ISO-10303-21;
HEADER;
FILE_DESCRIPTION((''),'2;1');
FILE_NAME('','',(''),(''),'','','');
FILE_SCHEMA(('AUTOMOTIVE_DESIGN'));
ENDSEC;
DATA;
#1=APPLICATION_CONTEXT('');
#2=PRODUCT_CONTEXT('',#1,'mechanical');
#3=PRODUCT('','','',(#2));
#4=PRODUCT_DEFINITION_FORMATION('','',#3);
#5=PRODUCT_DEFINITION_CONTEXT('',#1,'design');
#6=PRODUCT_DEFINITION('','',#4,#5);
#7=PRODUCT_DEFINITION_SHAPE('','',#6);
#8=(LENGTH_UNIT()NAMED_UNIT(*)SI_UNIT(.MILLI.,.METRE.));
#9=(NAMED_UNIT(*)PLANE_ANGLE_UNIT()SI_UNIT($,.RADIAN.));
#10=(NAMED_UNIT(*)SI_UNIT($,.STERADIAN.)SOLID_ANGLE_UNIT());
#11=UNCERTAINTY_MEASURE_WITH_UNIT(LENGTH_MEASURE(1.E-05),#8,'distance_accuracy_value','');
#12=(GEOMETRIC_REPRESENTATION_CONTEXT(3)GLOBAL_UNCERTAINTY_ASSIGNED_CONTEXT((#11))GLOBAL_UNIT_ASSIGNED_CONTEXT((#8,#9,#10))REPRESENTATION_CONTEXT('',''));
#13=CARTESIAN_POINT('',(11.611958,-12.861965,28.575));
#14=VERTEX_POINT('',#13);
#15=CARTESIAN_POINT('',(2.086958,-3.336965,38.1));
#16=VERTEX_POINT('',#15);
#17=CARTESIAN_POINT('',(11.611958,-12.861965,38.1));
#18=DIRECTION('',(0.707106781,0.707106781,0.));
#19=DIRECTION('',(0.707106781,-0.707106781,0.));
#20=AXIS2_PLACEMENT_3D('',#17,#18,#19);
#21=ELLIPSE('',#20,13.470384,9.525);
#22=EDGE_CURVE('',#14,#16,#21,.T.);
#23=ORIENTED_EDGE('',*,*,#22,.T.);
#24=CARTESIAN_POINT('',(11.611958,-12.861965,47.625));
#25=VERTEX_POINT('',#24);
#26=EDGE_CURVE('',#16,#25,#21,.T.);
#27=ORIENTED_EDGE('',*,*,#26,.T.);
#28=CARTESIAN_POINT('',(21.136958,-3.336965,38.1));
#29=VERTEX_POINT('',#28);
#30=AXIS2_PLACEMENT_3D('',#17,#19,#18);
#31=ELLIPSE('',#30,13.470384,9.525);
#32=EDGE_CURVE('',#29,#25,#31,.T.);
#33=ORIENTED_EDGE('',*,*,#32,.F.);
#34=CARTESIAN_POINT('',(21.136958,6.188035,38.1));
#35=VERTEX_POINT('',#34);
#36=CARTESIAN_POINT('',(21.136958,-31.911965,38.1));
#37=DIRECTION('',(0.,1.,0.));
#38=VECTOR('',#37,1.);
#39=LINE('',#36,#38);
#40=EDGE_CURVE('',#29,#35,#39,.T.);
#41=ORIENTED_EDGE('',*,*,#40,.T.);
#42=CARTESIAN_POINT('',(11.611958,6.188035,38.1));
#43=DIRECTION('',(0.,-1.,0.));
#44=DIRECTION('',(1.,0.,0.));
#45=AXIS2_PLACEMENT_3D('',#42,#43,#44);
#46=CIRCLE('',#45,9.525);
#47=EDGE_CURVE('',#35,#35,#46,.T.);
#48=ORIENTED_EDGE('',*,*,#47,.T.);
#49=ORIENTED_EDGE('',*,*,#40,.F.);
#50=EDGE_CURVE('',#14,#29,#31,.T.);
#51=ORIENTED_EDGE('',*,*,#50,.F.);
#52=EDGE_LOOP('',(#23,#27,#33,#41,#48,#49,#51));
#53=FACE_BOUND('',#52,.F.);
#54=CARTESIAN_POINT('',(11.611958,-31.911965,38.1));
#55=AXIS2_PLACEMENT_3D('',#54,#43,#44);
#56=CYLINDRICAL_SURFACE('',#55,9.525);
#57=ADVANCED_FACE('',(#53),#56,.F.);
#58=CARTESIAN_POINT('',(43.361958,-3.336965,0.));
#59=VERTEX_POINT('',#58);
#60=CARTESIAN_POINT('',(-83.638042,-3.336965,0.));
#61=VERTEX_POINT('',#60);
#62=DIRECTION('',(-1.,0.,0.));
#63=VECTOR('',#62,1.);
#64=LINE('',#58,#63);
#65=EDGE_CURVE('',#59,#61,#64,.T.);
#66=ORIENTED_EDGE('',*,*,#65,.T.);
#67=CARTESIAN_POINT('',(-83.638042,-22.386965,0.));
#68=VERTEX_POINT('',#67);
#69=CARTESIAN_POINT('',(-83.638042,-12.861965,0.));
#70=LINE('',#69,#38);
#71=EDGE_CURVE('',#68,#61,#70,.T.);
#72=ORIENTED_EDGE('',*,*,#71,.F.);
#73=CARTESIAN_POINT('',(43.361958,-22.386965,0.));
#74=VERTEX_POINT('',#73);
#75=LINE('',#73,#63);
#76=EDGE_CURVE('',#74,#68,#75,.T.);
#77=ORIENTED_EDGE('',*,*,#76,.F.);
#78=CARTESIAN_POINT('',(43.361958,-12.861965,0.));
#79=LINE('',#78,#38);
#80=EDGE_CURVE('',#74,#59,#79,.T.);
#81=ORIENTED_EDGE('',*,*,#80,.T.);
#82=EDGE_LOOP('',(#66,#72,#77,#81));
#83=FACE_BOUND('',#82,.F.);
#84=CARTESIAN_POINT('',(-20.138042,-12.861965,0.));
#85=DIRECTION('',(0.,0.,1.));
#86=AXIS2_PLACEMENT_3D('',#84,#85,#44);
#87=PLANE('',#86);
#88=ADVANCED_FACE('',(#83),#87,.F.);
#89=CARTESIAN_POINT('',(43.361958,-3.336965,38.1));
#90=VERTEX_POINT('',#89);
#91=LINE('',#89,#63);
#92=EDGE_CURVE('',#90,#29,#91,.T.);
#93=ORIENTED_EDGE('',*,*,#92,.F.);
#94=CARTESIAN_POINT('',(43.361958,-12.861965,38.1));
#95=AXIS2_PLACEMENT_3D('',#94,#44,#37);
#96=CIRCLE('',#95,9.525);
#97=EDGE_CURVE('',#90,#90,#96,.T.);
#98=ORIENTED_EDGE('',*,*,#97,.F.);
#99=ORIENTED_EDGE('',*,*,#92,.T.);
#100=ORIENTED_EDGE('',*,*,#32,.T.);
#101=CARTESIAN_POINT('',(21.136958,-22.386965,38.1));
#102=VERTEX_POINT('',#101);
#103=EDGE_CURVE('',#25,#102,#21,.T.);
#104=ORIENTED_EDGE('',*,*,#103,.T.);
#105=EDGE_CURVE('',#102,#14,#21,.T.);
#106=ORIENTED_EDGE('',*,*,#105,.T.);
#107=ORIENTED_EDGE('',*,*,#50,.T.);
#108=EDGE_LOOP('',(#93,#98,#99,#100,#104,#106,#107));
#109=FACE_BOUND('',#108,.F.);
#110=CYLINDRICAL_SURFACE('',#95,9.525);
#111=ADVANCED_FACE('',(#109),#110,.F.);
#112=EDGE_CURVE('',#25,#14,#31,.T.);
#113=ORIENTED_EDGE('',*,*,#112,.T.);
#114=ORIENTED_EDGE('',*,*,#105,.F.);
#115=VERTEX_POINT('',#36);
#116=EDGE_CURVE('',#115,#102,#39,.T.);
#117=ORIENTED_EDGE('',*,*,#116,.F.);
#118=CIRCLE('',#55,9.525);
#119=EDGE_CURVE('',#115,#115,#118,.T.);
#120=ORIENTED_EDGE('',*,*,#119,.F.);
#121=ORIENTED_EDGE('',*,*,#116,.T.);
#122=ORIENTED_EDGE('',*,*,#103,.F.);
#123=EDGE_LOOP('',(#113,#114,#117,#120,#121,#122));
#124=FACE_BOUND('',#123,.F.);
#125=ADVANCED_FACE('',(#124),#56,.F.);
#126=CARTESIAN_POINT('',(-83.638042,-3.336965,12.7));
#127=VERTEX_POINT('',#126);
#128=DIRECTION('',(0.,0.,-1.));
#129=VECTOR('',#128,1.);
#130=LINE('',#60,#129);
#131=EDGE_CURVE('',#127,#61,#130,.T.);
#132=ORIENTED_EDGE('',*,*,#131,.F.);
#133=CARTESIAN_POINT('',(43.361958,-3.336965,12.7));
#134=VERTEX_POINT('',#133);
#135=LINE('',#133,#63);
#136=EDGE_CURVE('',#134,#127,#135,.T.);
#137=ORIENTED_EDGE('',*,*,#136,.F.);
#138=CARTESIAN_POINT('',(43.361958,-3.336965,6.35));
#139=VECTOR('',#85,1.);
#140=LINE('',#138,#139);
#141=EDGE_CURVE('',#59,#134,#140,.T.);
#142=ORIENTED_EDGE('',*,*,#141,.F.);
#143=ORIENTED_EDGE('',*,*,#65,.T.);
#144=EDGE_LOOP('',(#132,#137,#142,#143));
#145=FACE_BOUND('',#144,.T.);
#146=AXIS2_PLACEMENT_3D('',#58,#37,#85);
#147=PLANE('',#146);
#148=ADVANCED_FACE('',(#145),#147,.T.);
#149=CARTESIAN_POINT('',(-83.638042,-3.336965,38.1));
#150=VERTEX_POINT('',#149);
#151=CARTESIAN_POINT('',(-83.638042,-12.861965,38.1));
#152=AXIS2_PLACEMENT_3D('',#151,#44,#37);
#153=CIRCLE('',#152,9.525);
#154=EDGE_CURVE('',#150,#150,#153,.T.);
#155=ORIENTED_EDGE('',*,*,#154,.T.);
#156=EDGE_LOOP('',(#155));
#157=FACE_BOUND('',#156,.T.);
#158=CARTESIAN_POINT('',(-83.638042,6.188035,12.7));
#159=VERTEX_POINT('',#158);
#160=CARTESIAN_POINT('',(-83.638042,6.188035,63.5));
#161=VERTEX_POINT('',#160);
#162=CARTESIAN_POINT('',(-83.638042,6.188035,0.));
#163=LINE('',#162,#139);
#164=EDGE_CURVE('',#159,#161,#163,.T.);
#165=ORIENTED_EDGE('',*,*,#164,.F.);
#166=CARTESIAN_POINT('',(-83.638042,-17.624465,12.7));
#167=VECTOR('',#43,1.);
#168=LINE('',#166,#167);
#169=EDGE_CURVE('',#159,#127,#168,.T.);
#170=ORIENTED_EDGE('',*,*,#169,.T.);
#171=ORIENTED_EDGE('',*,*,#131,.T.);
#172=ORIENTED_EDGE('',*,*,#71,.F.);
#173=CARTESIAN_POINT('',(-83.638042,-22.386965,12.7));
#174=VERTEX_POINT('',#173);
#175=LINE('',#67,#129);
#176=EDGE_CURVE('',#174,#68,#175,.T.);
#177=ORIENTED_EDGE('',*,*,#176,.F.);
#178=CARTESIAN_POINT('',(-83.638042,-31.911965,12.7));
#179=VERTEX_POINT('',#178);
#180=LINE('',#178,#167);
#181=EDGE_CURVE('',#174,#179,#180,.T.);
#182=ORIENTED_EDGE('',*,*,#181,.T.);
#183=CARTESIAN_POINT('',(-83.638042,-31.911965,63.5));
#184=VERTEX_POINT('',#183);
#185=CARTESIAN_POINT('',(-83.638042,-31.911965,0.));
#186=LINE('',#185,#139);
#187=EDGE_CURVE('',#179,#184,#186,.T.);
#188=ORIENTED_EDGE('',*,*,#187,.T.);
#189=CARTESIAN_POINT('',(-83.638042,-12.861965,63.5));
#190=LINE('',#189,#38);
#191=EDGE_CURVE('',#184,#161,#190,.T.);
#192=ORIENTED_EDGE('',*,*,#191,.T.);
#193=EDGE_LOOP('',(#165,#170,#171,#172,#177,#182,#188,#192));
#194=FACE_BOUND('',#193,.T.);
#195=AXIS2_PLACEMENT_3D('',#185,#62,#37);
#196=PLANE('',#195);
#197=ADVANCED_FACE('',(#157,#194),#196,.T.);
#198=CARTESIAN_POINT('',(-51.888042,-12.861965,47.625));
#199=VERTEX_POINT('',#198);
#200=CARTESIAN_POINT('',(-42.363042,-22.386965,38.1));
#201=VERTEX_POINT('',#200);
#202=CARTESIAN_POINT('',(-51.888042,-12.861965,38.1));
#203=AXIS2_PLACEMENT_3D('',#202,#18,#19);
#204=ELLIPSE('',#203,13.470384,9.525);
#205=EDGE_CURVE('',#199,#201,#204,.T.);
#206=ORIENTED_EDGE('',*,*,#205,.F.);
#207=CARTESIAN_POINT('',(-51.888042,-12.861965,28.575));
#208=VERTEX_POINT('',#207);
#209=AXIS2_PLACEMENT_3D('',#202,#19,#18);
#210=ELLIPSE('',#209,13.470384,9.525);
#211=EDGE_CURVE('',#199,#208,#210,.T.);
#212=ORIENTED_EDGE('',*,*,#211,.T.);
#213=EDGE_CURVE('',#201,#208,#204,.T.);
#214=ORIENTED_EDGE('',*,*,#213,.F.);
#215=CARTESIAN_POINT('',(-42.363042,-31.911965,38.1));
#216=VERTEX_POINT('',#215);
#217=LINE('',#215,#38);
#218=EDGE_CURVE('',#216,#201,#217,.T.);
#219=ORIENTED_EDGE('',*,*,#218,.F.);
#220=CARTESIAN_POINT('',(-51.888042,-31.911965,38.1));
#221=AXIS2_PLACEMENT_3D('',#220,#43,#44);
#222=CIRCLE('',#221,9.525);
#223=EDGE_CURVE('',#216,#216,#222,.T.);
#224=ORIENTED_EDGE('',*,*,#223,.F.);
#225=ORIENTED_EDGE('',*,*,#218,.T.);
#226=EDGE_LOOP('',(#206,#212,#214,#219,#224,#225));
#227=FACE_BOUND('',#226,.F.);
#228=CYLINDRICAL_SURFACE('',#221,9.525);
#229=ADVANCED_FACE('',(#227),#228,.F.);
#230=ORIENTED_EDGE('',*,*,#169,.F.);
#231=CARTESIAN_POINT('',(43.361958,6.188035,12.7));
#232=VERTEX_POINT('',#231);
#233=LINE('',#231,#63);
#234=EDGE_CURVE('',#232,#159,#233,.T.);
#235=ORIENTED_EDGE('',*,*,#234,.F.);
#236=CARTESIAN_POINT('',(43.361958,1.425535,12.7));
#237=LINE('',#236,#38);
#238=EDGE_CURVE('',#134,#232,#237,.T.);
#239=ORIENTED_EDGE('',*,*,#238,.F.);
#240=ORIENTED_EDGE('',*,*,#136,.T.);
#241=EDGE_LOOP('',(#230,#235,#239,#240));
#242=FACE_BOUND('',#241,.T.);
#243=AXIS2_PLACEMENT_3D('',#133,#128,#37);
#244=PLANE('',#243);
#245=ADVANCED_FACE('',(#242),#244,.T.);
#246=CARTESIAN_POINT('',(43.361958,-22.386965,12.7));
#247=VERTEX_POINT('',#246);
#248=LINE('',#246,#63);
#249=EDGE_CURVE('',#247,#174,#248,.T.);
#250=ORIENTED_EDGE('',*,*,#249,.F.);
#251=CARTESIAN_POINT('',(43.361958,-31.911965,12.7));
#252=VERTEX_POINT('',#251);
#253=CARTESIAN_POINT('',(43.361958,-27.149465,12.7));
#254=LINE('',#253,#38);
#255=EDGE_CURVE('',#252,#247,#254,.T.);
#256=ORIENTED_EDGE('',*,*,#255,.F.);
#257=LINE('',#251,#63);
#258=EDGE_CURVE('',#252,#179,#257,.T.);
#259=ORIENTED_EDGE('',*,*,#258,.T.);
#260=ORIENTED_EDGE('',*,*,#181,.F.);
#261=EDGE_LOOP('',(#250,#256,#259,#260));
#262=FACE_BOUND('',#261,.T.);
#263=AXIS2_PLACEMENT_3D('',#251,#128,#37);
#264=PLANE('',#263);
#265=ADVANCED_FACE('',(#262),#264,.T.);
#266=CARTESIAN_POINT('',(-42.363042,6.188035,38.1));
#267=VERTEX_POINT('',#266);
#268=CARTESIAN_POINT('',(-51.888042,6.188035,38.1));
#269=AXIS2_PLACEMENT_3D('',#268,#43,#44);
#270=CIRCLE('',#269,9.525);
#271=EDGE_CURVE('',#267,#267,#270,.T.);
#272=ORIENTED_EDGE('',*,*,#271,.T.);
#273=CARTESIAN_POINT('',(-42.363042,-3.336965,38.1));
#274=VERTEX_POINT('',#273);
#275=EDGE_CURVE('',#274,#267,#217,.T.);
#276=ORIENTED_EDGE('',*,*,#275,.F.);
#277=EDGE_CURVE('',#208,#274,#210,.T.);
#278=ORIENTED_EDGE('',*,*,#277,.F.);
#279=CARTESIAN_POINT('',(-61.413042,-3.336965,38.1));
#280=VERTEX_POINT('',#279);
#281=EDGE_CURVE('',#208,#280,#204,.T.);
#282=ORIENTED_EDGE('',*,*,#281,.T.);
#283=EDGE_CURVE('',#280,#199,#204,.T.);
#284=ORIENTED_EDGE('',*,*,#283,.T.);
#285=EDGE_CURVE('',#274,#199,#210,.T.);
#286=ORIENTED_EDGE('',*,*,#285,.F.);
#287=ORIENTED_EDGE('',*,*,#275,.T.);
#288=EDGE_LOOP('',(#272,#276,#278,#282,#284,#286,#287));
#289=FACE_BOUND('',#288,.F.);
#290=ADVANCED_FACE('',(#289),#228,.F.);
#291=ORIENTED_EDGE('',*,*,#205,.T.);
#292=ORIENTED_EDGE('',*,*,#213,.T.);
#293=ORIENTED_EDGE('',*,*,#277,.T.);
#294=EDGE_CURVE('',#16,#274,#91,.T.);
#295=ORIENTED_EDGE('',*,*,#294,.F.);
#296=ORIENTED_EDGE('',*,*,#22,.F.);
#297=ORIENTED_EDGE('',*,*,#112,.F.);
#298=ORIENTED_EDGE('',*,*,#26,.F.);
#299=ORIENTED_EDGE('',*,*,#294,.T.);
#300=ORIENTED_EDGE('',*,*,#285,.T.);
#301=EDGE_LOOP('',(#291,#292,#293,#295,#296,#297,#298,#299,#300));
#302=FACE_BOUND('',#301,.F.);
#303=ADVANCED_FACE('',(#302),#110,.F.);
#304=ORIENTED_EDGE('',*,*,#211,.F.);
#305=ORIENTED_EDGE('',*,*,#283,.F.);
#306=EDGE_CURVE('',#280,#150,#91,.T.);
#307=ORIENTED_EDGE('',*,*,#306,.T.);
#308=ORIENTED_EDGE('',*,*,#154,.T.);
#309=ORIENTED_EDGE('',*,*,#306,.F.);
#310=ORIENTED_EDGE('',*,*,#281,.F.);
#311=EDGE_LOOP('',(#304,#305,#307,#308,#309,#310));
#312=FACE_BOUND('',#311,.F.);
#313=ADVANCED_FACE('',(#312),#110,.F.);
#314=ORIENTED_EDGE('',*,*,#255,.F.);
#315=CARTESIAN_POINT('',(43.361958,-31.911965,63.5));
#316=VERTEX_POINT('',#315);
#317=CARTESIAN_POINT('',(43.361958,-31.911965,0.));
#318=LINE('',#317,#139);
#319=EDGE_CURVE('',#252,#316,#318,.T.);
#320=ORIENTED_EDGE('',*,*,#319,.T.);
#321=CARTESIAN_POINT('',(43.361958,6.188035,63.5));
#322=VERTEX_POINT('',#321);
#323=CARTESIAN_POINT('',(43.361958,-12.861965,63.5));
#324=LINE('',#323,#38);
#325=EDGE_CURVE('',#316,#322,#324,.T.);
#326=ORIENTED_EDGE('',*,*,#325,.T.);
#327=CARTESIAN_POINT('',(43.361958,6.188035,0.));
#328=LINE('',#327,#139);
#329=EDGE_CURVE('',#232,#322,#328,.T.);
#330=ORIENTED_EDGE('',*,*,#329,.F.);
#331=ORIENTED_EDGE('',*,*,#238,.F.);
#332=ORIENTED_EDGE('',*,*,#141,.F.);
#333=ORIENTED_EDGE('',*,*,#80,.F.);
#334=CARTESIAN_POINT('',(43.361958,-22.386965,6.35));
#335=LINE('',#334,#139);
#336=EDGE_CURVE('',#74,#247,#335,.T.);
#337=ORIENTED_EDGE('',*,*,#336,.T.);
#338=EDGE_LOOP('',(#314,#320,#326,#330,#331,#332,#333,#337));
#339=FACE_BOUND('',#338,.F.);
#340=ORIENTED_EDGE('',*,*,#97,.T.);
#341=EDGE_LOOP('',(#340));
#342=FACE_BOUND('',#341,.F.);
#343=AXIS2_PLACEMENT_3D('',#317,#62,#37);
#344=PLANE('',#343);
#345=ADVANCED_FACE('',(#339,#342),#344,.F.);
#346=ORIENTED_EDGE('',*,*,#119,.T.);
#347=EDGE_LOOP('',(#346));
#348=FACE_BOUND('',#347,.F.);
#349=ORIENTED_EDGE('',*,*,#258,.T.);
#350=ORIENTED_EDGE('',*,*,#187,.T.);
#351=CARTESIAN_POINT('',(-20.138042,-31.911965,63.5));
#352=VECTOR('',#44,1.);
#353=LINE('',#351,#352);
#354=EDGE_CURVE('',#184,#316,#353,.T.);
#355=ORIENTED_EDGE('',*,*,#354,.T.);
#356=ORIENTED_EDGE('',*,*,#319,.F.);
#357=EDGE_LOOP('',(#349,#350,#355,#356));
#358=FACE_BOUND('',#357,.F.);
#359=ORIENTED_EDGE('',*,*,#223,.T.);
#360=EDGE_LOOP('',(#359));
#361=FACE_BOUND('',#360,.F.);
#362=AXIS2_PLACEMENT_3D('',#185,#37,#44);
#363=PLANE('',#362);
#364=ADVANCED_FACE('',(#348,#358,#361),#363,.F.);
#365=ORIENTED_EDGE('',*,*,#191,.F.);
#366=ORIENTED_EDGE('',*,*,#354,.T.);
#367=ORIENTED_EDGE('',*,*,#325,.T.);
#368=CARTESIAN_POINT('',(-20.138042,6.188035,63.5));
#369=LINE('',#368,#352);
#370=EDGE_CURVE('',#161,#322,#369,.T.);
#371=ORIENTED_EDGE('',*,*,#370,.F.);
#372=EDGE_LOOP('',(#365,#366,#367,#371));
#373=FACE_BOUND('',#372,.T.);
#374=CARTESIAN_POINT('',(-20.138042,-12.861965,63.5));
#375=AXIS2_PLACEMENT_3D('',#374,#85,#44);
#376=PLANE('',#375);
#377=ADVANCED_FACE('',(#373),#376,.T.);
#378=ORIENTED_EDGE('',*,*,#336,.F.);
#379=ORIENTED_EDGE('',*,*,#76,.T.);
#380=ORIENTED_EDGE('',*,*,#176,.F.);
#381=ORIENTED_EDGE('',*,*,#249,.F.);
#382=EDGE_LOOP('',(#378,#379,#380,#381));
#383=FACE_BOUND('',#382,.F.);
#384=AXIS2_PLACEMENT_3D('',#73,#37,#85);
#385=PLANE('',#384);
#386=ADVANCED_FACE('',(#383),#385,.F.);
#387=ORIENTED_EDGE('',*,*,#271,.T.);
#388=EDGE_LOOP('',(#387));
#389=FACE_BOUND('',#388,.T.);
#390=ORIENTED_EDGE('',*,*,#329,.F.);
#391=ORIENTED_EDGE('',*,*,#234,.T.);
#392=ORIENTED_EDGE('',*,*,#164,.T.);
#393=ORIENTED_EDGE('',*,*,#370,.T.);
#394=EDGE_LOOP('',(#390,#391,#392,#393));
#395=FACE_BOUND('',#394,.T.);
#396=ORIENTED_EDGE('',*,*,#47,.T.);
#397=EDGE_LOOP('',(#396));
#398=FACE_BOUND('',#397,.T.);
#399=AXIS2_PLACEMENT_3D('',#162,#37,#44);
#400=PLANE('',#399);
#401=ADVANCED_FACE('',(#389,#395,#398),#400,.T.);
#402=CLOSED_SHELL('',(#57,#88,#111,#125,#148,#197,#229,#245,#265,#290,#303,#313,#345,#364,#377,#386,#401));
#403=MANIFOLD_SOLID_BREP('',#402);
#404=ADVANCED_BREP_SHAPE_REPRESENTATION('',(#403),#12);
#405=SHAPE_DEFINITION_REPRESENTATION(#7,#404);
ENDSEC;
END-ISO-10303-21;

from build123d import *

# Parameters (mm, degrees)
F0_W      = 127
F0_H      = 38.1
F1_DEPTH  = 63.5
F2_W      = 9.525
F2_H      = 12.7
F3_DEPTH  = 127.001
F4_W      = 9.525
F4_H      = 12.7
F5_DEPTH  = 127.001
F6_R      = 9.525
F7_DEPTH  = 127.001
F8_R      = 9.525
F9_DEPTH  = 38.101
F10_R     = 9.525
F11_DEPTH = 38.101


with BuildPart() as f1:
    # F0 (on Top) → F1 (new body)
    with BuildSketch(Plane.XY):
        with Locations((-20.138042, -12.861965)):
            Rectangle(F0_W, F0_H)
    extrude(amount=F1_DEPTH)

    # F2 (on face) → F3 (cut, through all)
    with BuildSketch(Plane.YZ.offset(43.361958)):
        with Locations((-27.149465, 6.35)):
            Rectangle(F2_W, F2_H)
    extrude(amount=-F3_DEPTH, mode=Mode.SUBTRACT)

    # F4 (on face) → F5 (cut, through all)
    with BuildSketch(Plane.YZ.offset(43.361958)):
        with Locations((1.425535, 6.35)):
            Rectangle(F4_W, F4_H)
    extrude(amount=-F5_DEPTH, mode=Mode.SUBTRACT)

    # F6 (on face) → F7 (cut, through all)
    with BuildSketch(Plane.YZ.offset(43.361958)):
        with Locations((-12.861965, 38.1)):
            Circle(F6_R)
    extrude(amount=-F7_DEPTH, mode=Mode.SUBTRACT)

    # F8 (on face) → F9 (cut, through all)
    with BuildSketch(Plane.XZ.offset(31.911965)):
        with Locations((-51.888042, 38.1)):
            Circle(F8_R)
    extrude(amount=-F9_DEPTH, mode=Mode.SUBTRACT)

    # F10 (on face) → F11 (cut, through all)
    with BuildSketch(Plane.XZ.offset(31.911965)):
        with Locations((11.611958, 38.1)):
            Circle(F10_R)
    extrude(amount=-F11_DEPTH, mode=Mode.SUBTRACT)


solid = f1.part
